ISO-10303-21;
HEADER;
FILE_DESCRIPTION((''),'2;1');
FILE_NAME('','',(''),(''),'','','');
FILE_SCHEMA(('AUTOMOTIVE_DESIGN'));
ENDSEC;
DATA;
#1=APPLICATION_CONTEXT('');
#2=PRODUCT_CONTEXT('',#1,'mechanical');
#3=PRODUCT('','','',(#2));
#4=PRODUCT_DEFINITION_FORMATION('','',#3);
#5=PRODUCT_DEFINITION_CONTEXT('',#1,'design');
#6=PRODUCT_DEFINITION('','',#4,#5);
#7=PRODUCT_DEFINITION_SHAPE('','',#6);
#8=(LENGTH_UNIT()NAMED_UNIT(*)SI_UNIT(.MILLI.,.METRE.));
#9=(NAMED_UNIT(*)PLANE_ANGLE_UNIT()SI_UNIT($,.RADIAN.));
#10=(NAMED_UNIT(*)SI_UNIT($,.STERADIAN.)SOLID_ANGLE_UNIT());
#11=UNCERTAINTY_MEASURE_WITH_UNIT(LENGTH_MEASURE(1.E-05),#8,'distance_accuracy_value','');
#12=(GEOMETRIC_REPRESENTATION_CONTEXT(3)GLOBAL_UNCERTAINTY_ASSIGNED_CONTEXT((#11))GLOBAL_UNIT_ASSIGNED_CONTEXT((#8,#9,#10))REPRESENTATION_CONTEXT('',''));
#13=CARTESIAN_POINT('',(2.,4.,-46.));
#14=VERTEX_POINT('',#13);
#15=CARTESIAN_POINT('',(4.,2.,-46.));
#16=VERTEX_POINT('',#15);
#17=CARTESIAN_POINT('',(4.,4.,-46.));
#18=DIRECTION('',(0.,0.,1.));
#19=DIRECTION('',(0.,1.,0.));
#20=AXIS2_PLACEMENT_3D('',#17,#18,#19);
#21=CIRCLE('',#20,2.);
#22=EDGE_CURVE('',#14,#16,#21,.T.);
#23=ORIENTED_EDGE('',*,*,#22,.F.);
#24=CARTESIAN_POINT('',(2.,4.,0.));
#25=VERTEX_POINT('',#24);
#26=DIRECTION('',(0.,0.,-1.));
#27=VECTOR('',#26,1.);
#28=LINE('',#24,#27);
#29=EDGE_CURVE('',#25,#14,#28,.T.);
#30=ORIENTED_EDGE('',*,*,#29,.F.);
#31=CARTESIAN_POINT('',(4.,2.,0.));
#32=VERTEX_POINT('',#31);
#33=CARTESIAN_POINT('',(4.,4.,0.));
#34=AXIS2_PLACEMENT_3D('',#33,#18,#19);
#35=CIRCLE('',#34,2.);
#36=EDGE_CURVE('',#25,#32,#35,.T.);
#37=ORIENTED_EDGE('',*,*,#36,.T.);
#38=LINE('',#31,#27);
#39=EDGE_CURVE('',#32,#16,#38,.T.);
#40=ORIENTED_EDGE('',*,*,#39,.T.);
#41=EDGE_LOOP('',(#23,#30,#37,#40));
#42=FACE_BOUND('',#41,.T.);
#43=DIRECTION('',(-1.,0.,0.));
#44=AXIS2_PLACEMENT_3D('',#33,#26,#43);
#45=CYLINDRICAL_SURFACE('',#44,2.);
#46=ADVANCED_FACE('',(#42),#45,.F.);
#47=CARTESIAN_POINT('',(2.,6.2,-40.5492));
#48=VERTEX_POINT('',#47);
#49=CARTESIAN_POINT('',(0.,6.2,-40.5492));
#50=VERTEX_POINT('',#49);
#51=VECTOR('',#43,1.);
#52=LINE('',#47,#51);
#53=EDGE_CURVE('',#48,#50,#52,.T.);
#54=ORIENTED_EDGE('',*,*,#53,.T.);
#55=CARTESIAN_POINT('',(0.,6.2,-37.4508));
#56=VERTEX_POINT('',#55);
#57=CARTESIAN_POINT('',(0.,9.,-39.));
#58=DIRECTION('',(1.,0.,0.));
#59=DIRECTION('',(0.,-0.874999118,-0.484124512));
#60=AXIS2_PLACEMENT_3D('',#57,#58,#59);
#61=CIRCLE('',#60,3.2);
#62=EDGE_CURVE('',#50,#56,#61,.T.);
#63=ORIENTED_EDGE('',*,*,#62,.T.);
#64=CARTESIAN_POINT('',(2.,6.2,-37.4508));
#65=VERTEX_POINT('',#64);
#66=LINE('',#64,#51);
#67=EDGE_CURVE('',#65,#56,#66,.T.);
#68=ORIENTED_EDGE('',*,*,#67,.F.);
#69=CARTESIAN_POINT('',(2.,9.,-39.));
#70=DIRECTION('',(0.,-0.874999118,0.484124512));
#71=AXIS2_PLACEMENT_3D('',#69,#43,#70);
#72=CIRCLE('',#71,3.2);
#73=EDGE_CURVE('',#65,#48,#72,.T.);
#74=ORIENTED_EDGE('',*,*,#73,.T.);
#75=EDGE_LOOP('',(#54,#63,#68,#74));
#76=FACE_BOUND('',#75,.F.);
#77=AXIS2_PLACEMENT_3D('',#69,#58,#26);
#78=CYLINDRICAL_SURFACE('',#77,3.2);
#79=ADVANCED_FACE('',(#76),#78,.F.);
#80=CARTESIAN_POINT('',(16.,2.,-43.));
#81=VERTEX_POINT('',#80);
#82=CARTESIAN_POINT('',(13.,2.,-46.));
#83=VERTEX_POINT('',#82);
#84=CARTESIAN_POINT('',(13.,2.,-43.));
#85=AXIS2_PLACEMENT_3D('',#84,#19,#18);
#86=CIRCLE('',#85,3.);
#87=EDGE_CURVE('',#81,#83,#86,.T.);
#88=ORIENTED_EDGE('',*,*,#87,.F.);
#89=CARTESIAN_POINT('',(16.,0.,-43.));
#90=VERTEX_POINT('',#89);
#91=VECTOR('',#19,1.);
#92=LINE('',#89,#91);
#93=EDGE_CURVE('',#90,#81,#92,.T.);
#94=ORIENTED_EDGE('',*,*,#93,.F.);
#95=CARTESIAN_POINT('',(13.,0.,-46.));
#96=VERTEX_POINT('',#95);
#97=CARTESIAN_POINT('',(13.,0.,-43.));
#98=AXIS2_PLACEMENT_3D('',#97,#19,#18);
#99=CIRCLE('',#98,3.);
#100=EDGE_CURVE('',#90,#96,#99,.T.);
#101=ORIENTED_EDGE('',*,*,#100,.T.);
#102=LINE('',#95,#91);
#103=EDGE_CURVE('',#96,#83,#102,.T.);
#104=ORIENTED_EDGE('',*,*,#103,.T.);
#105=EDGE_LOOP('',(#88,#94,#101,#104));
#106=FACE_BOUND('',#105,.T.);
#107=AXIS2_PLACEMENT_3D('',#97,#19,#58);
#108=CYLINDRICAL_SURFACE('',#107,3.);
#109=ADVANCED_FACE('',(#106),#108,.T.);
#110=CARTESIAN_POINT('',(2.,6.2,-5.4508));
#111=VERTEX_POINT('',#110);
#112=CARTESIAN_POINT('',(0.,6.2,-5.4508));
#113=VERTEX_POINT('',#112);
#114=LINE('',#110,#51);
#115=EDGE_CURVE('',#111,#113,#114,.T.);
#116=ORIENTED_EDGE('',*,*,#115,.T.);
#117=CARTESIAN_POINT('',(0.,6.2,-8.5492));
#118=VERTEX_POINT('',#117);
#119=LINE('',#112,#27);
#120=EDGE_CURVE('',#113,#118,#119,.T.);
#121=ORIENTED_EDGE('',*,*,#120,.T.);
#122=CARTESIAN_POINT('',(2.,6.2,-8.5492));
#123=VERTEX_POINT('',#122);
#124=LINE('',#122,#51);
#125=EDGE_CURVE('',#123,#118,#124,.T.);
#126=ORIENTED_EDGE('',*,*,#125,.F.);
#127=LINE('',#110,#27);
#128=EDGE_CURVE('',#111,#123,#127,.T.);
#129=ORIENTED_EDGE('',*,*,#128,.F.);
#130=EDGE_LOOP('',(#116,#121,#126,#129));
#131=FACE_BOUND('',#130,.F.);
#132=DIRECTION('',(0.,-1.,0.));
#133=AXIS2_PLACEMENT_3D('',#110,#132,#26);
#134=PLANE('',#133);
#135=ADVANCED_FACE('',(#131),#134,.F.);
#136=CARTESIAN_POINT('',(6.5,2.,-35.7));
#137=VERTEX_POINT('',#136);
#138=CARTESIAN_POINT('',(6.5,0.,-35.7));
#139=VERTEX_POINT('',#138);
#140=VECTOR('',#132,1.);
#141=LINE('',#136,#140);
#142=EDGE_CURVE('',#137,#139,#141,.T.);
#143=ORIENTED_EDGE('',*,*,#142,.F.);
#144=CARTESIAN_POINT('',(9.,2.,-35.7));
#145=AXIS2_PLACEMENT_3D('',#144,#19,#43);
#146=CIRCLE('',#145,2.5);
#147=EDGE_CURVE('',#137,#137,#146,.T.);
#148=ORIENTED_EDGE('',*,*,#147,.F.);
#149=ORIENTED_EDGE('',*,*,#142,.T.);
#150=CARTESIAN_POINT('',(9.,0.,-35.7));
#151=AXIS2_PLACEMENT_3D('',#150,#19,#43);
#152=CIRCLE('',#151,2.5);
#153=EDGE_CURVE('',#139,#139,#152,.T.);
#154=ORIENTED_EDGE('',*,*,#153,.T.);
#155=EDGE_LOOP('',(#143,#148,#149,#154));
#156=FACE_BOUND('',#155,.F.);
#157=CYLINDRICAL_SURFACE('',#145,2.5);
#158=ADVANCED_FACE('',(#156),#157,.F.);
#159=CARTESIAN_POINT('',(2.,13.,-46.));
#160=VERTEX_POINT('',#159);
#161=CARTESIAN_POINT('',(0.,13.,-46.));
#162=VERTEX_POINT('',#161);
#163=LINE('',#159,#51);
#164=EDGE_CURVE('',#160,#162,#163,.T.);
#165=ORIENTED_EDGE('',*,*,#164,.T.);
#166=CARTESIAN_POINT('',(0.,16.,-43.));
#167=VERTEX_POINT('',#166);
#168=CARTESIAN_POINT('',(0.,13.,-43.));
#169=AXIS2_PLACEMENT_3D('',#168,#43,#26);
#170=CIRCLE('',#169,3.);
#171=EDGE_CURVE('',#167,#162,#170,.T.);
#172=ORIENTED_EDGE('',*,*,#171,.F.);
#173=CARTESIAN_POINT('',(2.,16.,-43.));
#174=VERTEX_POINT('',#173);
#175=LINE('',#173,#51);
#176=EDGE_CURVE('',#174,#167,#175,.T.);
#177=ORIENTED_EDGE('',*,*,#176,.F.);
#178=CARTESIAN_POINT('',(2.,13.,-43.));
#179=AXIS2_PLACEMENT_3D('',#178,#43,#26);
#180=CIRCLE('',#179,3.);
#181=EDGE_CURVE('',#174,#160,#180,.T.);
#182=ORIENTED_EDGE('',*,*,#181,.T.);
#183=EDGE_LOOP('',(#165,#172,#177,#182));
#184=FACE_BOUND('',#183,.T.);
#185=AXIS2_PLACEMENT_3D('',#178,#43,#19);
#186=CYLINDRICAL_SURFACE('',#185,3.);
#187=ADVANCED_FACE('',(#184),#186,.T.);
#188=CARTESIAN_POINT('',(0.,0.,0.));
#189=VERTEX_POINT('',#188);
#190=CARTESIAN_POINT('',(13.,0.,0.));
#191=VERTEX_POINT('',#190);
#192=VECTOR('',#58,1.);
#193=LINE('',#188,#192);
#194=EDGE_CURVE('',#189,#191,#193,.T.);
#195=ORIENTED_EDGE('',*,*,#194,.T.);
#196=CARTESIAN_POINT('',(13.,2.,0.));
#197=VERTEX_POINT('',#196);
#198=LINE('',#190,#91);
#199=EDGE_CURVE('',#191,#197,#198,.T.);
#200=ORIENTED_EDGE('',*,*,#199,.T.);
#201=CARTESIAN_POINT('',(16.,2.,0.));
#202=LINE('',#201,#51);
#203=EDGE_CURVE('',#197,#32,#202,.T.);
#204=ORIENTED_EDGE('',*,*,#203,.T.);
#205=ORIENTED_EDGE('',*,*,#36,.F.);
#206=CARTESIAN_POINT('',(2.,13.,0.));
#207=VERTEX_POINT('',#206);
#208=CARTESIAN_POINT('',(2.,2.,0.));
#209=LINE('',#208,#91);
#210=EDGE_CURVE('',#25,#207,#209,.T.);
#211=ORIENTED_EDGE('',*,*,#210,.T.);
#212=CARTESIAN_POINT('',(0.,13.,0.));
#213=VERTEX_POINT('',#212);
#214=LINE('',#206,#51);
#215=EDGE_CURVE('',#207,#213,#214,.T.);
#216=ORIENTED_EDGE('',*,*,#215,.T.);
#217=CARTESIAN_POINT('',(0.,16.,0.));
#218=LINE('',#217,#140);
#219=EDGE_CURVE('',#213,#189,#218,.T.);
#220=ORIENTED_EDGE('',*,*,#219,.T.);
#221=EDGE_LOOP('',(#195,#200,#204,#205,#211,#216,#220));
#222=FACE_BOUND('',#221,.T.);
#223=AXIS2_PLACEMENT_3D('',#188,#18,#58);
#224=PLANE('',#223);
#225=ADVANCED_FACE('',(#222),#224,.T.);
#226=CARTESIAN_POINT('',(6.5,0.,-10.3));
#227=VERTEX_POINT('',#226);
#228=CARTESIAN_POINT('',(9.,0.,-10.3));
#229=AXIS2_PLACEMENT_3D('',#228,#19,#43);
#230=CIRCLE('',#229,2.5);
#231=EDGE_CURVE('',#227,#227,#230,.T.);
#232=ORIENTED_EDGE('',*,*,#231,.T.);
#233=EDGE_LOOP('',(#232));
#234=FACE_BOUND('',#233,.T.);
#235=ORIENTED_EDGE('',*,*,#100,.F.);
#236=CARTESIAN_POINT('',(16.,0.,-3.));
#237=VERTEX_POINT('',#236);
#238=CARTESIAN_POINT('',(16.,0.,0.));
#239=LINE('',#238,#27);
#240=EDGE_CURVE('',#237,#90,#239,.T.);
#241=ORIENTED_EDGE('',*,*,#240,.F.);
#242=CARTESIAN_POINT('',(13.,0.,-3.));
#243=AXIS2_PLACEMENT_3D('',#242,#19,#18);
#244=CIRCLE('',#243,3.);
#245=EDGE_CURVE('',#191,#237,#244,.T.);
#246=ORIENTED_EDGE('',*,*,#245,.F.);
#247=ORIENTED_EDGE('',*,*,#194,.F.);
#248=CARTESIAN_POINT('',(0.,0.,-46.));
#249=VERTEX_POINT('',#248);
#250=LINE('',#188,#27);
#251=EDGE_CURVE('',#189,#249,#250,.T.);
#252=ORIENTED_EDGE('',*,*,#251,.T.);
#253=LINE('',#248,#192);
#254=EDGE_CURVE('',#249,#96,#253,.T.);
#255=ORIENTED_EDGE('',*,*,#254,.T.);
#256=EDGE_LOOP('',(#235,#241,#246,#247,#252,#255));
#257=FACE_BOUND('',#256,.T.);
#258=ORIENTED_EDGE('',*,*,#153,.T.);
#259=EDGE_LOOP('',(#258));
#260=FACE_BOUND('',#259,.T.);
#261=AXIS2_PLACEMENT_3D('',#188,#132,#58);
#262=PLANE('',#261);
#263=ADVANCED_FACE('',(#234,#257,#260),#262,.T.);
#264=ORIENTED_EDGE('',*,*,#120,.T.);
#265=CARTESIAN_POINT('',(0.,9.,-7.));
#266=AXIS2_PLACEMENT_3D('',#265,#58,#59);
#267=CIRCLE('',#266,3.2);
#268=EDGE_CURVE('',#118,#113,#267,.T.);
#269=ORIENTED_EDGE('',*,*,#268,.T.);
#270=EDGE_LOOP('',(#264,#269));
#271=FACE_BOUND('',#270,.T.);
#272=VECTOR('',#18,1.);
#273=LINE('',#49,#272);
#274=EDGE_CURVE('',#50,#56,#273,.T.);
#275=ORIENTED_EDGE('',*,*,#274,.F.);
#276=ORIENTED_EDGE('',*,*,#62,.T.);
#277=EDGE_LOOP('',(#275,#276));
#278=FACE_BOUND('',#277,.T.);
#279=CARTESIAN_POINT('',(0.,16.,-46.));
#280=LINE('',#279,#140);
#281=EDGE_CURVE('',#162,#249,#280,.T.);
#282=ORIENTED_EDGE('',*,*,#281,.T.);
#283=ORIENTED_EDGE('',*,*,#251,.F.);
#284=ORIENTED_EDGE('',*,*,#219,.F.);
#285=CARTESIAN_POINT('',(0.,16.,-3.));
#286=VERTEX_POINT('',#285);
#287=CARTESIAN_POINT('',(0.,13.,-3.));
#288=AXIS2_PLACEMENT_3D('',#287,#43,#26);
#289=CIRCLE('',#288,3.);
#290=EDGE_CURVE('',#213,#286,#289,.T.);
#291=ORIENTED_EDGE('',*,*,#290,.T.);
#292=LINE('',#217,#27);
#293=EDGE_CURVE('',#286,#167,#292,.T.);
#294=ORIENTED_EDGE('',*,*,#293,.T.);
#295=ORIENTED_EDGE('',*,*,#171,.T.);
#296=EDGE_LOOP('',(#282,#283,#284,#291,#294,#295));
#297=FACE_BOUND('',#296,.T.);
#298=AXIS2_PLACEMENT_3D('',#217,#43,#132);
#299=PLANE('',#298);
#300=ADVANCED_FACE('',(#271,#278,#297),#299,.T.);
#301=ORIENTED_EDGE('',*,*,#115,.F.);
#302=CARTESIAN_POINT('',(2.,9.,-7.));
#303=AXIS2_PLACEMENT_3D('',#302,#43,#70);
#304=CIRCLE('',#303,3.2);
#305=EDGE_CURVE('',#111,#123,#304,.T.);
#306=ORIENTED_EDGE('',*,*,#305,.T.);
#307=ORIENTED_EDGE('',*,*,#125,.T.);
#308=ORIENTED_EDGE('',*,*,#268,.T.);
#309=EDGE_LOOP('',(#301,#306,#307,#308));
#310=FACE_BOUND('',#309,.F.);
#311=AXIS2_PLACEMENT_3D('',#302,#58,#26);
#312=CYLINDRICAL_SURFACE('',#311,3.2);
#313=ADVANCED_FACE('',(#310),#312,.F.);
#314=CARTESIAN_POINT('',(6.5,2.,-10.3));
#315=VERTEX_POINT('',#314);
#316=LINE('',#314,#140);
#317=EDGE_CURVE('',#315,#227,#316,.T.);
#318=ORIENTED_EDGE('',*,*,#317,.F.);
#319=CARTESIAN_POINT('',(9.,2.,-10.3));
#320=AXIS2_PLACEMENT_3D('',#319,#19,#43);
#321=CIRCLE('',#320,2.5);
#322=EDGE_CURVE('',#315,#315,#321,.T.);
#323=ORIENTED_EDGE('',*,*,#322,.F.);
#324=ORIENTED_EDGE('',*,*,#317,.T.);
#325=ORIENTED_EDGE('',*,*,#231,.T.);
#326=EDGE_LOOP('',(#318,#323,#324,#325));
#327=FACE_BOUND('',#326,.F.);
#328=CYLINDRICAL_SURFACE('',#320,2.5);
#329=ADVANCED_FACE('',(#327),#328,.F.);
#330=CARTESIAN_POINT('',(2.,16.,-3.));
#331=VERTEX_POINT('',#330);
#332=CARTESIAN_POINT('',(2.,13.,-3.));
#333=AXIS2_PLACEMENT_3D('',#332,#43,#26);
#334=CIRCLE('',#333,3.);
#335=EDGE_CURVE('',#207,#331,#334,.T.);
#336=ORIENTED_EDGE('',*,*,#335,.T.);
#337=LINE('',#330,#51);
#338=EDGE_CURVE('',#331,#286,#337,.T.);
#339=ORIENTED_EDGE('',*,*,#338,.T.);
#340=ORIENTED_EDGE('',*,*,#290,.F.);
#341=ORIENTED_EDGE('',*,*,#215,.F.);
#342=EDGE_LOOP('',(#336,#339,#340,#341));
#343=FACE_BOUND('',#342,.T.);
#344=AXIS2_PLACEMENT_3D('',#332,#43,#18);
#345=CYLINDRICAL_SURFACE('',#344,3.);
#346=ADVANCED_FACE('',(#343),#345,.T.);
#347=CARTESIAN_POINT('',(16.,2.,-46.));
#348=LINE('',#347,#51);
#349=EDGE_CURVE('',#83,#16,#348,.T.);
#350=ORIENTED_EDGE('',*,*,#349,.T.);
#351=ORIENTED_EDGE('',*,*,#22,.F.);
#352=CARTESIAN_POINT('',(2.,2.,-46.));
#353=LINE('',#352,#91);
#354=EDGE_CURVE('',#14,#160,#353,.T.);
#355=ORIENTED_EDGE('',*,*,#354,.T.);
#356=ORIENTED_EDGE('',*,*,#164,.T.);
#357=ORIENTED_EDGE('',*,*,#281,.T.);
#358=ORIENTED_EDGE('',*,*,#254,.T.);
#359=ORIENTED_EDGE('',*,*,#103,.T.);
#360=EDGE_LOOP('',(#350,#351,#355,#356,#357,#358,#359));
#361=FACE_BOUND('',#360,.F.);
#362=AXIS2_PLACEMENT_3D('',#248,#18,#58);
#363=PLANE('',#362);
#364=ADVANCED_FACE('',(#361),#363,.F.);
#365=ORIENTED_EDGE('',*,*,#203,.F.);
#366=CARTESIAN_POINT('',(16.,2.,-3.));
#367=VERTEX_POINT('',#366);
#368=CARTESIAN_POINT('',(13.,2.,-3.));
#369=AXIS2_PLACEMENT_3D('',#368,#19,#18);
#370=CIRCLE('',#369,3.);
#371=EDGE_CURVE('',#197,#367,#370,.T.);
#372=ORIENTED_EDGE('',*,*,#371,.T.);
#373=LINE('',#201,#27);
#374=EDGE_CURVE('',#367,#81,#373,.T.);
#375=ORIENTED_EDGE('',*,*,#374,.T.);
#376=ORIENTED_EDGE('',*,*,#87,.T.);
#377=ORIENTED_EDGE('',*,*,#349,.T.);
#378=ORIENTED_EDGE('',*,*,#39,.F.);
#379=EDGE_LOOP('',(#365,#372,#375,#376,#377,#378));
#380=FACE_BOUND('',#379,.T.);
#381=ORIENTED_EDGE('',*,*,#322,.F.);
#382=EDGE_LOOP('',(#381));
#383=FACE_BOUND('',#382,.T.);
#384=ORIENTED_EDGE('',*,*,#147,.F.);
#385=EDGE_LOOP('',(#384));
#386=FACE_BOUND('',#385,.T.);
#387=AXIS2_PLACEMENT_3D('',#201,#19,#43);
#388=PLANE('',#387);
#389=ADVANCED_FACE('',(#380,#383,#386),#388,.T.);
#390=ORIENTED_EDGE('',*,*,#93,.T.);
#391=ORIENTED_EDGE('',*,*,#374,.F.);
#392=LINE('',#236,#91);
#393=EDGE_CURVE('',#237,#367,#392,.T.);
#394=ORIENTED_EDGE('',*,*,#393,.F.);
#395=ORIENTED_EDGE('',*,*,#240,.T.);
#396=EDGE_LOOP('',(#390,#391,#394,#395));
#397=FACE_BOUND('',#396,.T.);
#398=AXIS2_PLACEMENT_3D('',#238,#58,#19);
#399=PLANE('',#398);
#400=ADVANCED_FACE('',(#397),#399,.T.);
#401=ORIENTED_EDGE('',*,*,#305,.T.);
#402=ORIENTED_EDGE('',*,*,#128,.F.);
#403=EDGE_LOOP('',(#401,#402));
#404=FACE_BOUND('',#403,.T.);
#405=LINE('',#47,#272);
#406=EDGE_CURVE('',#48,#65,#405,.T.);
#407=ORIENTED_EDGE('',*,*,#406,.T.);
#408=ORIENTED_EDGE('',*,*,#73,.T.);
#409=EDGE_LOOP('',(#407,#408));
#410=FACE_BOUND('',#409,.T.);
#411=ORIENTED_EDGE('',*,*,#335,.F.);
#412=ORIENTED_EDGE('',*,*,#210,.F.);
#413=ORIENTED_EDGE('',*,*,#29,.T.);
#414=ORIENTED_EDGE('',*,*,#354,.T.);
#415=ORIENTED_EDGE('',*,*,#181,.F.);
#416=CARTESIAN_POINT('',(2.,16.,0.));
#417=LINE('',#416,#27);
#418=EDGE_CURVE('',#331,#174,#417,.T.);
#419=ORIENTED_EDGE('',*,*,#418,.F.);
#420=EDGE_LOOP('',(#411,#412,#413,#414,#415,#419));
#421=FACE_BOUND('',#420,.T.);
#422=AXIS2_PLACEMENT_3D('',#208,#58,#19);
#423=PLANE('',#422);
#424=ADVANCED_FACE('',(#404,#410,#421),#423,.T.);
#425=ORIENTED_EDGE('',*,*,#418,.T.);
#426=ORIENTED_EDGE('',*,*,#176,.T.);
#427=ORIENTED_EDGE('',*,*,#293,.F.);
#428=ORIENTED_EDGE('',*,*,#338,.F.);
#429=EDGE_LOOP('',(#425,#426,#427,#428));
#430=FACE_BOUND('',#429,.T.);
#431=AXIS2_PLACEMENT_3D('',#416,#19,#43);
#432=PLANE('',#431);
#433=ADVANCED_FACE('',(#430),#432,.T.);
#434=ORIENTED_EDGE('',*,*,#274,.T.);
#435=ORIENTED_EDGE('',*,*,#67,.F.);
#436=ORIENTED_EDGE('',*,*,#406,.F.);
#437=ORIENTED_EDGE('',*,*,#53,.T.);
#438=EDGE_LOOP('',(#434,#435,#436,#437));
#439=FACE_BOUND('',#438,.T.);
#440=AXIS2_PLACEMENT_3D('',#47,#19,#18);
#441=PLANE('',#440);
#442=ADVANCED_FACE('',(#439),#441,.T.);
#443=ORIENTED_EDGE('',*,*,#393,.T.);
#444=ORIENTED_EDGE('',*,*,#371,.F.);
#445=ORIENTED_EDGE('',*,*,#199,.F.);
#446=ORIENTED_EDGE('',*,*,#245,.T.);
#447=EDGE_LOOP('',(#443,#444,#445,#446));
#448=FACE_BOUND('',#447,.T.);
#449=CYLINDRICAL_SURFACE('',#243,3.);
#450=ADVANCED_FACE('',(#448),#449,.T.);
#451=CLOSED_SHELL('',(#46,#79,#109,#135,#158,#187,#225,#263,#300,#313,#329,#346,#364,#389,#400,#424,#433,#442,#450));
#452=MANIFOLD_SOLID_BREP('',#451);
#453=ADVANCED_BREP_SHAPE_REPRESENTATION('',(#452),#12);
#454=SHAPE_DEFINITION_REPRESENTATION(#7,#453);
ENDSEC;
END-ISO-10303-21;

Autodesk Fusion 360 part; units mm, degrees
sketch "Sketch1" plane through (0, 0, 0) normal (0, 0, 1) x (1, 0, 0)
  line L0 (0, 0) -> (16, 0)
  line L1 (16, 0) -> (16, 2)
  line L2 (16, 2) -> (2, 2)
  line L3 (2, 2) -> (2, 16)
  line L4 (2, 16) -> (0, 16)
  line L5 (0, 16) -> (0, 0)
  dimension "d1" = 16
  dimension "d2" = 16
  dimension "d3" = 2
  dimension "d4" = 2
extrude "Extrude1" add sketch "Sketch1" against normal blind 46
sketch "Sketch2" plane through (0, 2, 0) normal (0, 1, 0) x (-1, 0, 0)
  line L0 (-2, 0) -> (-16, 0)
  line L1 (-16, 0) -> (-16, -46)
  line L2 (-16, -46) -> (-2, -46)
  line L3 (-2, -46) -> (-2, 0)
  line L4 (-9, -46) -> (-9, 0) construction
  line L5 (-16, -23) -> (-2, -23) construction
  circle A0 centre (-9, -10.3) radius 2.5
  circle A1 centre (-9, -35.7) radius 2.5
  dimension "d7" = 5
  dimension "d19" = 12.7
extrude "Extrude2" cut sketch "Sketch2" against normal blind 2 contours A0 | A1
sketch "Sketch3" plane through (2, 0, 0) normal (1, 0, 0) x (0, 0, -1)
  line L0 (0, 16) -> (0, 2)
  line L1 (0, 2) -> (46, 2)
  line L2 (46, 2) -> (46, 16)
  line L3 (46, 16) -> (0, 16)
  line L4 (23, 16) -> (23, 2) construction
  line L5 (0, 9) -> (46, 9) construction
  circle A0 centre (7, 9) radius 3.2
  line L6 (0, 12.2) -> (46, 12.2) construction
  line L7 (0, 6.2) -> (46, 6.2) construction
  line L8 (5.4508, 6.2) -> (8.5492, 6.2)
  circle A1 centre (39, 9) radius 3.2
  line L9 (40.5492, 6.2) -> (37.4508, 6.2)
  dimension "d10" = 6.4
  dimension "d11" = 6
  dimension "d12" = 16
extrude "Extrude3" cut sketch "Sketch3" against normal blind 2 contours A0 L8 | A1 L9 picked at (6.9734, 8.1997) picked at (38.4662, 7.5792)
fillet "Fillet1" radius 2 1 edges at (2, 2, -23)
fillet "Fillet2" radius 3 4 edges at (1, 16, -46) (1, 16, 0) (16, 1, 0) (16, 1, -46)
equation "d12 = ( 32 / 2 ) * 1 mm"
equation "d19 = ( 25.4 / 2 ) * 1 mm"
